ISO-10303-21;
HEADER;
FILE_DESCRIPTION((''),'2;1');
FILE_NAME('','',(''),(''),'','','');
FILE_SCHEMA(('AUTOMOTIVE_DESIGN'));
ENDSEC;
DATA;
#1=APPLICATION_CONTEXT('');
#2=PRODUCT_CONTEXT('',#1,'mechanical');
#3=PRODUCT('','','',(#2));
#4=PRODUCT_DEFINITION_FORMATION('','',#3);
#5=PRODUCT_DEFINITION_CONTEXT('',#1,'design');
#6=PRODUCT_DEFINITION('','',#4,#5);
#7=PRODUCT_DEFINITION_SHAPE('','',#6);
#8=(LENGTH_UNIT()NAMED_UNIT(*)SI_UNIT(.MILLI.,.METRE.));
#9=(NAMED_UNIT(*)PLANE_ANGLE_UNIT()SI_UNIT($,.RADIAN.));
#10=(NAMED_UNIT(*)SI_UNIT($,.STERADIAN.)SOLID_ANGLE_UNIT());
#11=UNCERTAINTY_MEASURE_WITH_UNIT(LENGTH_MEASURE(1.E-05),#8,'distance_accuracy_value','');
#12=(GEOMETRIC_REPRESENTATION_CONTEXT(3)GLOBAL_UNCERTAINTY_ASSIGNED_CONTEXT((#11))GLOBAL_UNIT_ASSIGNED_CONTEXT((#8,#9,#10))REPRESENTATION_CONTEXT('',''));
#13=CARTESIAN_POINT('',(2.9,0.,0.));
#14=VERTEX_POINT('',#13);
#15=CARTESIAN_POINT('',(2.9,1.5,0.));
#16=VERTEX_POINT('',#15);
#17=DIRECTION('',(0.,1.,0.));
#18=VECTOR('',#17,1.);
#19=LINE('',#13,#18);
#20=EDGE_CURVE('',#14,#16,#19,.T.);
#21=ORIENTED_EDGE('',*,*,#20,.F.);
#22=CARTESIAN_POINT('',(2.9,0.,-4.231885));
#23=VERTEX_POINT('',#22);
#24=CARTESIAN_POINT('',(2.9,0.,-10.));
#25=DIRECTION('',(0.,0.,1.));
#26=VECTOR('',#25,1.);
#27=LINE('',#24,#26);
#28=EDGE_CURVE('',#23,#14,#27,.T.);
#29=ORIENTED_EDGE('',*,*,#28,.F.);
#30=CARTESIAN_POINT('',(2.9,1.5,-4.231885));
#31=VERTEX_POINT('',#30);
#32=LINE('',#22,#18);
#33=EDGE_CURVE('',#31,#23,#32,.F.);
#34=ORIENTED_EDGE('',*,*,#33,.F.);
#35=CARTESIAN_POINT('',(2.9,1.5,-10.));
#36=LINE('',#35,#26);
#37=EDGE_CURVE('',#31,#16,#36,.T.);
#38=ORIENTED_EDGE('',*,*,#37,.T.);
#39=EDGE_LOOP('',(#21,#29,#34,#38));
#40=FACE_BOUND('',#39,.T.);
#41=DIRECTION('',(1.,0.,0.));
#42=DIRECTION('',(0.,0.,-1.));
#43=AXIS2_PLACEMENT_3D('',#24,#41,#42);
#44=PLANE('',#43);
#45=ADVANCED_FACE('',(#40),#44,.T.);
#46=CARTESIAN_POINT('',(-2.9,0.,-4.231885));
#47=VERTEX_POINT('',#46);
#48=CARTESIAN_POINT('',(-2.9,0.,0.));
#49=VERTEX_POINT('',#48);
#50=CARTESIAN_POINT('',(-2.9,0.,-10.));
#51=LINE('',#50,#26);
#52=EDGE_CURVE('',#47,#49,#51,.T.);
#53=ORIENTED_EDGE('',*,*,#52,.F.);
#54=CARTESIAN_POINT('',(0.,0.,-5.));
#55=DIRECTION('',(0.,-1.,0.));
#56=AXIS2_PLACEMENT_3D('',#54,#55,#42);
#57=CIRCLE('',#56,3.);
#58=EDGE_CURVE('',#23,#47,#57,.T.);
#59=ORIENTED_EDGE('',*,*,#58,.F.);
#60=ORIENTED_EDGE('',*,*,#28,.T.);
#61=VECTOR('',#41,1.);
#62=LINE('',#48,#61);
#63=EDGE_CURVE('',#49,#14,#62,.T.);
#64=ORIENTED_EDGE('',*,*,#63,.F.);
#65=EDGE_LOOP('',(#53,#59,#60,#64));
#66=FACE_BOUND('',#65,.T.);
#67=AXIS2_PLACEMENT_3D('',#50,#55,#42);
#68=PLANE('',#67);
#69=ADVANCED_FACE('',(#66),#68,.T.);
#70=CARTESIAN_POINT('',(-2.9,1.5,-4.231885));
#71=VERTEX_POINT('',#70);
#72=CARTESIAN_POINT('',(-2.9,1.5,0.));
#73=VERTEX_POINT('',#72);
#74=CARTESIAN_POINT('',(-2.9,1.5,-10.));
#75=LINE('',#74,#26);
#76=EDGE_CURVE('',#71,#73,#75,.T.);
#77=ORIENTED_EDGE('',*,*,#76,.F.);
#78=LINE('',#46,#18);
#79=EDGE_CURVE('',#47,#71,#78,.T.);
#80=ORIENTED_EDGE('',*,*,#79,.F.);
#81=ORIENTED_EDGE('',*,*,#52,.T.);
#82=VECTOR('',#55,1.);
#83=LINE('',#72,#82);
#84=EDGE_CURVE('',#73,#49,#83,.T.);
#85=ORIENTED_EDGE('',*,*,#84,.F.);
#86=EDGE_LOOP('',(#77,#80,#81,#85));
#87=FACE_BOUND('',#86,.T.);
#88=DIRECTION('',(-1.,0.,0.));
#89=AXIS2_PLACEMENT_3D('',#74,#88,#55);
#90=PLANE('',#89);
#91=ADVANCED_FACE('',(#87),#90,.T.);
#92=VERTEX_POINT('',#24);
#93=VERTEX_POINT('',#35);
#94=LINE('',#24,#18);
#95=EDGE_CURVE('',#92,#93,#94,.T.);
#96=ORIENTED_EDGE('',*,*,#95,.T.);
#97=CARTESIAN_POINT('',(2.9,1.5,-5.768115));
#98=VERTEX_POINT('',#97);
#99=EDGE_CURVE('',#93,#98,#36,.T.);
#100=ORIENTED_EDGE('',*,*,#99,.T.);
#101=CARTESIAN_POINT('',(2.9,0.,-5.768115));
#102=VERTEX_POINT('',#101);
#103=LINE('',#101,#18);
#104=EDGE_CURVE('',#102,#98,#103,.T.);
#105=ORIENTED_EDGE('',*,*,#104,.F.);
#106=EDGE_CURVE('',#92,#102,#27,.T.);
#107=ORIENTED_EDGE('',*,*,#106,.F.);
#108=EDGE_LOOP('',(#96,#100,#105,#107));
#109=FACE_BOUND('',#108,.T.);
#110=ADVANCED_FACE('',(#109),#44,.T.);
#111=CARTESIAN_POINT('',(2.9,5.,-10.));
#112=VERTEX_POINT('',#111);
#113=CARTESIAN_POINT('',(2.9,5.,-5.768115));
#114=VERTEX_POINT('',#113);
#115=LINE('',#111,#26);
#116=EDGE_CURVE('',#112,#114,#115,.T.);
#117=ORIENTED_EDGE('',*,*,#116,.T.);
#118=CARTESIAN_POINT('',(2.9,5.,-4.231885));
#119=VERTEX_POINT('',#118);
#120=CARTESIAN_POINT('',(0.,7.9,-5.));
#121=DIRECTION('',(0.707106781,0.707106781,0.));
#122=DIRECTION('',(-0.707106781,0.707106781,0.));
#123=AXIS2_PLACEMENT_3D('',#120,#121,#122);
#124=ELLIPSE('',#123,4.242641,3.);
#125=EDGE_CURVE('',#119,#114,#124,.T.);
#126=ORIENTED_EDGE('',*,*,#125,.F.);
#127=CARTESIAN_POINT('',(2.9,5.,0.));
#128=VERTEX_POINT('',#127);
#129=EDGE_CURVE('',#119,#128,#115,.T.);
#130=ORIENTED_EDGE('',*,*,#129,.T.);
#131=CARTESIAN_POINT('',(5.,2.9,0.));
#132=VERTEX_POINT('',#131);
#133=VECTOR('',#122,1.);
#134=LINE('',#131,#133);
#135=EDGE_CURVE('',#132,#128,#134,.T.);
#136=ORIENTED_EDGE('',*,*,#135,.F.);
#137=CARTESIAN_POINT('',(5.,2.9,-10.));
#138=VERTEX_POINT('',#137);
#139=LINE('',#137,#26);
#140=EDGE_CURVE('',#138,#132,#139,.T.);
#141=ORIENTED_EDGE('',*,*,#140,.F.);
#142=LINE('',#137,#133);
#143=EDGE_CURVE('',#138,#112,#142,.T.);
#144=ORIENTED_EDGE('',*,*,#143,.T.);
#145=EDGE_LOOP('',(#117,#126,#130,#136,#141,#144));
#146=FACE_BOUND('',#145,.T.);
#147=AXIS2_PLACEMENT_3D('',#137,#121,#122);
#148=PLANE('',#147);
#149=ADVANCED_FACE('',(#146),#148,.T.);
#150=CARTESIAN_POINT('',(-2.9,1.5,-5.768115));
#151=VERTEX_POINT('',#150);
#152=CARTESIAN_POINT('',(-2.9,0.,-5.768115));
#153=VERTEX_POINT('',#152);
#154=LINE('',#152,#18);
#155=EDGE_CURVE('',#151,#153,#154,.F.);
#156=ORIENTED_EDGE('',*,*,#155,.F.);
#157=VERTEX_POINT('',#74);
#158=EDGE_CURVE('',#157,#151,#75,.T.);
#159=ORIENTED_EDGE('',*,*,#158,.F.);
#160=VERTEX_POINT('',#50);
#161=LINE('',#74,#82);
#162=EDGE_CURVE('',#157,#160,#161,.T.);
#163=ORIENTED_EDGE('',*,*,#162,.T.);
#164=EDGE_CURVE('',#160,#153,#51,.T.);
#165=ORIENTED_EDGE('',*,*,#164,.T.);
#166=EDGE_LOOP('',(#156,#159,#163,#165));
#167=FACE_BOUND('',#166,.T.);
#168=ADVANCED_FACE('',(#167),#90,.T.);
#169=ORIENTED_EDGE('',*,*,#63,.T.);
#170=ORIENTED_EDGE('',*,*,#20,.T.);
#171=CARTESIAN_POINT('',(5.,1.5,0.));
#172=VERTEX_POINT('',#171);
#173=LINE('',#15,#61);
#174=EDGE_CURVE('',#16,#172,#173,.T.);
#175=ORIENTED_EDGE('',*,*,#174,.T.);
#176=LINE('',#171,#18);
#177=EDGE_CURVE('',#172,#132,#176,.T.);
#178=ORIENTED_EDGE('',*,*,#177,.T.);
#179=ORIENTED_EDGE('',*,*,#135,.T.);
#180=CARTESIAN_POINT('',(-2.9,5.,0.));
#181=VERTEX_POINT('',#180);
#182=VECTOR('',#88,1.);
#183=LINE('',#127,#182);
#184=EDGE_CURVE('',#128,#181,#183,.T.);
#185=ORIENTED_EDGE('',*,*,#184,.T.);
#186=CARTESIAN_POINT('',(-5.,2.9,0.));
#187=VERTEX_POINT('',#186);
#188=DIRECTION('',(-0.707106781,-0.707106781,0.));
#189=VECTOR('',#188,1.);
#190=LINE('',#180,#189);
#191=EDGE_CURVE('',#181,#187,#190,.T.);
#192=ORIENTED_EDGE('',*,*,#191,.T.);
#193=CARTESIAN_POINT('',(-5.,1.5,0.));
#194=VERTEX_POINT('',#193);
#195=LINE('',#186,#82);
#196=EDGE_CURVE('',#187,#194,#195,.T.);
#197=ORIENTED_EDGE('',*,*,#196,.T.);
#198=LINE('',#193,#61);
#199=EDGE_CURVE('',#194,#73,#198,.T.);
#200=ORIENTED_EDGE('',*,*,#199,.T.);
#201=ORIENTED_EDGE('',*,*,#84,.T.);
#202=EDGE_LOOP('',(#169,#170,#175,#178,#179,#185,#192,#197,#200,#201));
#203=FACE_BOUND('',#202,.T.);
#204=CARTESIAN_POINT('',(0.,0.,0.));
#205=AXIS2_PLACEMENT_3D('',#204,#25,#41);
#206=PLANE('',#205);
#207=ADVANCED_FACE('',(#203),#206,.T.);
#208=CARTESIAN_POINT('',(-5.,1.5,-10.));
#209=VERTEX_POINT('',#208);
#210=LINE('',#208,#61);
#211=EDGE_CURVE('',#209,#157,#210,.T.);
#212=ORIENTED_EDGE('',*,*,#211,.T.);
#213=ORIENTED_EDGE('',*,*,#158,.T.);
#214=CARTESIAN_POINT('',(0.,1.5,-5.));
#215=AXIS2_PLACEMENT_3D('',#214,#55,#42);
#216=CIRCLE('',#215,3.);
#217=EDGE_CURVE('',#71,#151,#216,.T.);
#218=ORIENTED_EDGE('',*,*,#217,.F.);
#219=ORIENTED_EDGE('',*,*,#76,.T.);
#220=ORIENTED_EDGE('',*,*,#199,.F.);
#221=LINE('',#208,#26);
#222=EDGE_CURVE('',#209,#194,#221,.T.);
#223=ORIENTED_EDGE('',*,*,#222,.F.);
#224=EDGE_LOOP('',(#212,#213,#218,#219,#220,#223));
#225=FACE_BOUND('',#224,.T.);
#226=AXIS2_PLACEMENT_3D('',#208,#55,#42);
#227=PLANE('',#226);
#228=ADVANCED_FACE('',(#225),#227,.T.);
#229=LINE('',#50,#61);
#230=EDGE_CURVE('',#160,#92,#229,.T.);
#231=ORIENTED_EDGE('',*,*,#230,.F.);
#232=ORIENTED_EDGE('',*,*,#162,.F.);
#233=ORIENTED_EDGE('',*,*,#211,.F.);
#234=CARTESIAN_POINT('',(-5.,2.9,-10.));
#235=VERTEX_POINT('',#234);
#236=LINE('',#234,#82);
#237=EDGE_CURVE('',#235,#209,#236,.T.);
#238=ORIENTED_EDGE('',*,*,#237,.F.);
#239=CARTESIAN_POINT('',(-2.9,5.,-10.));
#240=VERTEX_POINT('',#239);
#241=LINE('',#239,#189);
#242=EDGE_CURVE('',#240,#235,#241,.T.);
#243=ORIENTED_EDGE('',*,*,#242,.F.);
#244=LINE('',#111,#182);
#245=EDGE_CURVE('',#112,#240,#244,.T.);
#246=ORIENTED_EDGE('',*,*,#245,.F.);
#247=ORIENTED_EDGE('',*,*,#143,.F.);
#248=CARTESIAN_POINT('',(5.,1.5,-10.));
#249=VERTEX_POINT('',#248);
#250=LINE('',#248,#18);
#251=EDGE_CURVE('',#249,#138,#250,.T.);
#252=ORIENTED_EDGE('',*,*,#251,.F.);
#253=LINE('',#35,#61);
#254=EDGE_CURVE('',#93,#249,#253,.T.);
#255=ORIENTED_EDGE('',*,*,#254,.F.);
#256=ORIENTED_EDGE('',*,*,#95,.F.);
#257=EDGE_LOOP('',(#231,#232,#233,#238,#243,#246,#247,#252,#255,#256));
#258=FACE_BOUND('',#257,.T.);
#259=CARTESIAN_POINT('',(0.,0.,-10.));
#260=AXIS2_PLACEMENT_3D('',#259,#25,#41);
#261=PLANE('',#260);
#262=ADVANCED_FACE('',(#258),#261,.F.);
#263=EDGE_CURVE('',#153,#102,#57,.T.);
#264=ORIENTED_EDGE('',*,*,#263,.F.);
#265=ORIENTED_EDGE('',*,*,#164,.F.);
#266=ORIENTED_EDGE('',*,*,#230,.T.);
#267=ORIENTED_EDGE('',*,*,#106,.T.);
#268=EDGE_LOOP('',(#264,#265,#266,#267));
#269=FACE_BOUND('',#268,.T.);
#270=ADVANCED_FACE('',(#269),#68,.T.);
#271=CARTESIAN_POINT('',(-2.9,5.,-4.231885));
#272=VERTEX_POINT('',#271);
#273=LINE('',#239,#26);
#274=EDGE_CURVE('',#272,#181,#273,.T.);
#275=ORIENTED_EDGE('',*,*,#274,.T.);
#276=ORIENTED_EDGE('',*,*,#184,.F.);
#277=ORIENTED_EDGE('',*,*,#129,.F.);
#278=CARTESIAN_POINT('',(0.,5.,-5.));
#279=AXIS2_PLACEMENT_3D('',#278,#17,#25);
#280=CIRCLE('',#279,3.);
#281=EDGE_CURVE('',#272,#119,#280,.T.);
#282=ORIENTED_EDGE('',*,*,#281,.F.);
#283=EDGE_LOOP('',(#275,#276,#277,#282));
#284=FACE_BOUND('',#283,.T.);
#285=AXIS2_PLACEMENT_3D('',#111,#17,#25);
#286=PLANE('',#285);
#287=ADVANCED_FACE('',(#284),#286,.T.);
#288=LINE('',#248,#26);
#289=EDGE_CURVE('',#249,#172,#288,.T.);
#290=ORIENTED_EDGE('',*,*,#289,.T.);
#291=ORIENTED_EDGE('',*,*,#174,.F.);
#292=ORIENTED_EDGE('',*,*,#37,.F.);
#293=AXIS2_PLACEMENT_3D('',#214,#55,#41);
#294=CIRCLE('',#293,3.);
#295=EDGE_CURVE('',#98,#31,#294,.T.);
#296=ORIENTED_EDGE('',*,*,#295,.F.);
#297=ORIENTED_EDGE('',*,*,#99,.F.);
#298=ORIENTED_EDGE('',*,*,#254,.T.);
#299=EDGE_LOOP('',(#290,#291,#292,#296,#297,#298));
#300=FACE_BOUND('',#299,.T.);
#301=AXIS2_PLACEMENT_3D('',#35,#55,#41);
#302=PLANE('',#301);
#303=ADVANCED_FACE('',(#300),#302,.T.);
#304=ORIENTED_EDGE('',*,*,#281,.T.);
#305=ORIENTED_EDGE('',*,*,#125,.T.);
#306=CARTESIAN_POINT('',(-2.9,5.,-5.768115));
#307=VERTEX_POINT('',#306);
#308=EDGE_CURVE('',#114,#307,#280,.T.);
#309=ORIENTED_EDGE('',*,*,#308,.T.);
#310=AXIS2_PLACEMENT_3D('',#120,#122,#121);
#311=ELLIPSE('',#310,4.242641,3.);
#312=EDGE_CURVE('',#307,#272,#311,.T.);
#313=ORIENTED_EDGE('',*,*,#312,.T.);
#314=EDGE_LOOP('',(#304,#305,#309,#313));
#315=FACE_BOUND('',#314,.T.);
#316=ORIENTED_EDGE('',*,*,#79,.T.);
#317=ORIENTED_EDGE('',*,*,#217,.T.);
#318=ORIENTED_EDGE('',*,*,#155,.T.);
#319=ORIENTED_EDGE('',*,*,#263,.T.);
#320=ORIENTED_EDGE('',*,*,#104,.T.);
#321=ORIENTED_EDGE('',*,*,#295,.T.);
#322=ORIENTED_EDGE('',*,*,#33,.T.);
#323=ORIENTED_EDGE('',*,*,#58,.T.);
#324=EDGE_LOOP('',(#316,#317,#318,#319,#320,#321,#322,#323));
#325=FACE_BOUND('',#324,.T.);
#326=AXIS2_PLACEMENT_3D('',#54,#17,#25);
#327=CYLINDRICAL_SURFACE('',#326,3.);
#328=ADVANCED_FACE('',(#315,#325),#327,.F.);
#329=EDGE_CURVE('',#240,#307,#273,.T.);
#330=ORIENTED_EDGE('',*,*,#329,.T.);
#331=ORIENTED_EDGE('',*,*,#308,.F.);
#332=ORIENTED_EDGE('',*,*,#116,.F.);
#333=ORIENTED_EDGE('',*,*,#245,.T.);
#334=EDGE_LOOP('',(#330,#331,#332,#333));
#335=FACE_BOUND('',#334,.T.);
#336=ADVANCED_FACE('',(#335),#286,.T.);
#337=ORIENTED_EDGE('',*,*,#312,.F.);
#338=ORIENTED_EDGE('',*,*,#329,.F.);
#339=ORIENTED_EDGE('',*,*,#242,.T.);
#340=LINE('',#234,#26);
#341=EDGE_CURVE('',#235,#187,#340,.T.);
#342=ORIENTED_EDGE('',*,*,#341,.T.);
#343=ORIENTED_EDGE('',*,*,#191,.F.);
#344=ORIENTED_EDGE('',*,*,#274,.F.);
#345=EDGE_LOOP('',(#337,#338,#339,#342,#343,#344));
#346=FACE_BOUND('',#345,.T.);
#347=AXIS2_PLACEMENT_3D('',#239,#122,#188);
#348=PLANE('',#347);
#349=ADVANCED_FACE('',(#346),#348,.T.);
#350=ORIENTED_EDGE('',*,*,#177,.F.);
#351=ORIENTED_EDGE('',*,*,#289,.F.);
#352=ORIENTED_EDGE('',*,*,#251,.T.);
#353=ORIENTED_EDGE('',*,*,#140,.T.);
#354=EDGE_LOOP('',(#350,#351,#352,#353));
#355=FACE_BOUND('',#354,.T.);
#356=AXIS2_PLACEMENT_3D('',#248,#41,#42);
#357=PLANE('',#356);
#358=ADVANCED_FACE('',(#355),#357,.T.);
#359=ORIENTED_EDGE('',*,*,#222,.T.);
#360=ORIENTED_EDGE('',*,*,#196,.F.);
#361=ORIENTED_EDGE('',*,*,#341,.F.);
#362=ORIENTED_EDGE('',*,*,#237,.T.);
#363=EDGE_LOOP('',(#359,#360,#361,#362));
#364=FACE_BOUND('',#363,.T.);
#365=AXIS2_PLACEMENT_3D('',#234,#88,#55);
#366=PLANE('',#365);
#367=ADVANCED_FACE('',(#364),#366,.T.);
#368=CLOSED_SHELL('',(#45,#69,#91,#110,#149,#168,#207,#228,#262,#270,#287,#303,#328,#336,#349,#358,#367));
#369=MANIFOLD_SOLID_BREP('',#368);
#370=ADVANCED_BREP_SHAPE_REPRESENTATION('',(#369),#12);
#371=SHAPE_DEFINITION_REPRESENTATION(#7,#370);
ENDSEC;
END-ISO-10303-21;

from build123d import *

# Parameters (mm, degrees)
EXTRUDE_1_DEPTH     = 10
SKETCH_4_R          = 3
CUT_EXTRUDE_1_DEPTH = 13.247448714


with BuildPart() as part:
    # 草图1 → 凸台-拉伸1 (new body)
    with BuildSketch(Plane.XY):
        Polygon((-2.9, 0), (2.9, 0), (2.9, 1.5), (5, 1.5), (5, 2.9), (2.9, 5), (-2.9, 5), (-5, 2.9), (-5, 1.5), (-2.9, 1.5), align=None)
    extrude(amount=-EXTRUDE_1_DEPTH)

    # 草图4 → 切除-拉伸1 (cut, through all)
    with BuildSketch(Plane(origin=(0, 5, 0), x_dir=(1, 0, 0), z_dir=(0, 1, 0))):
        with Locations(Location((0, 5, 0), (0, 0, 345.164888418))):
            Circle(SKETCH_4_R)
    extrude(amount=-CUT_EXTRUDE_1_DEPTH, mode=Mode.SUBTRACT)


solid = part.part
